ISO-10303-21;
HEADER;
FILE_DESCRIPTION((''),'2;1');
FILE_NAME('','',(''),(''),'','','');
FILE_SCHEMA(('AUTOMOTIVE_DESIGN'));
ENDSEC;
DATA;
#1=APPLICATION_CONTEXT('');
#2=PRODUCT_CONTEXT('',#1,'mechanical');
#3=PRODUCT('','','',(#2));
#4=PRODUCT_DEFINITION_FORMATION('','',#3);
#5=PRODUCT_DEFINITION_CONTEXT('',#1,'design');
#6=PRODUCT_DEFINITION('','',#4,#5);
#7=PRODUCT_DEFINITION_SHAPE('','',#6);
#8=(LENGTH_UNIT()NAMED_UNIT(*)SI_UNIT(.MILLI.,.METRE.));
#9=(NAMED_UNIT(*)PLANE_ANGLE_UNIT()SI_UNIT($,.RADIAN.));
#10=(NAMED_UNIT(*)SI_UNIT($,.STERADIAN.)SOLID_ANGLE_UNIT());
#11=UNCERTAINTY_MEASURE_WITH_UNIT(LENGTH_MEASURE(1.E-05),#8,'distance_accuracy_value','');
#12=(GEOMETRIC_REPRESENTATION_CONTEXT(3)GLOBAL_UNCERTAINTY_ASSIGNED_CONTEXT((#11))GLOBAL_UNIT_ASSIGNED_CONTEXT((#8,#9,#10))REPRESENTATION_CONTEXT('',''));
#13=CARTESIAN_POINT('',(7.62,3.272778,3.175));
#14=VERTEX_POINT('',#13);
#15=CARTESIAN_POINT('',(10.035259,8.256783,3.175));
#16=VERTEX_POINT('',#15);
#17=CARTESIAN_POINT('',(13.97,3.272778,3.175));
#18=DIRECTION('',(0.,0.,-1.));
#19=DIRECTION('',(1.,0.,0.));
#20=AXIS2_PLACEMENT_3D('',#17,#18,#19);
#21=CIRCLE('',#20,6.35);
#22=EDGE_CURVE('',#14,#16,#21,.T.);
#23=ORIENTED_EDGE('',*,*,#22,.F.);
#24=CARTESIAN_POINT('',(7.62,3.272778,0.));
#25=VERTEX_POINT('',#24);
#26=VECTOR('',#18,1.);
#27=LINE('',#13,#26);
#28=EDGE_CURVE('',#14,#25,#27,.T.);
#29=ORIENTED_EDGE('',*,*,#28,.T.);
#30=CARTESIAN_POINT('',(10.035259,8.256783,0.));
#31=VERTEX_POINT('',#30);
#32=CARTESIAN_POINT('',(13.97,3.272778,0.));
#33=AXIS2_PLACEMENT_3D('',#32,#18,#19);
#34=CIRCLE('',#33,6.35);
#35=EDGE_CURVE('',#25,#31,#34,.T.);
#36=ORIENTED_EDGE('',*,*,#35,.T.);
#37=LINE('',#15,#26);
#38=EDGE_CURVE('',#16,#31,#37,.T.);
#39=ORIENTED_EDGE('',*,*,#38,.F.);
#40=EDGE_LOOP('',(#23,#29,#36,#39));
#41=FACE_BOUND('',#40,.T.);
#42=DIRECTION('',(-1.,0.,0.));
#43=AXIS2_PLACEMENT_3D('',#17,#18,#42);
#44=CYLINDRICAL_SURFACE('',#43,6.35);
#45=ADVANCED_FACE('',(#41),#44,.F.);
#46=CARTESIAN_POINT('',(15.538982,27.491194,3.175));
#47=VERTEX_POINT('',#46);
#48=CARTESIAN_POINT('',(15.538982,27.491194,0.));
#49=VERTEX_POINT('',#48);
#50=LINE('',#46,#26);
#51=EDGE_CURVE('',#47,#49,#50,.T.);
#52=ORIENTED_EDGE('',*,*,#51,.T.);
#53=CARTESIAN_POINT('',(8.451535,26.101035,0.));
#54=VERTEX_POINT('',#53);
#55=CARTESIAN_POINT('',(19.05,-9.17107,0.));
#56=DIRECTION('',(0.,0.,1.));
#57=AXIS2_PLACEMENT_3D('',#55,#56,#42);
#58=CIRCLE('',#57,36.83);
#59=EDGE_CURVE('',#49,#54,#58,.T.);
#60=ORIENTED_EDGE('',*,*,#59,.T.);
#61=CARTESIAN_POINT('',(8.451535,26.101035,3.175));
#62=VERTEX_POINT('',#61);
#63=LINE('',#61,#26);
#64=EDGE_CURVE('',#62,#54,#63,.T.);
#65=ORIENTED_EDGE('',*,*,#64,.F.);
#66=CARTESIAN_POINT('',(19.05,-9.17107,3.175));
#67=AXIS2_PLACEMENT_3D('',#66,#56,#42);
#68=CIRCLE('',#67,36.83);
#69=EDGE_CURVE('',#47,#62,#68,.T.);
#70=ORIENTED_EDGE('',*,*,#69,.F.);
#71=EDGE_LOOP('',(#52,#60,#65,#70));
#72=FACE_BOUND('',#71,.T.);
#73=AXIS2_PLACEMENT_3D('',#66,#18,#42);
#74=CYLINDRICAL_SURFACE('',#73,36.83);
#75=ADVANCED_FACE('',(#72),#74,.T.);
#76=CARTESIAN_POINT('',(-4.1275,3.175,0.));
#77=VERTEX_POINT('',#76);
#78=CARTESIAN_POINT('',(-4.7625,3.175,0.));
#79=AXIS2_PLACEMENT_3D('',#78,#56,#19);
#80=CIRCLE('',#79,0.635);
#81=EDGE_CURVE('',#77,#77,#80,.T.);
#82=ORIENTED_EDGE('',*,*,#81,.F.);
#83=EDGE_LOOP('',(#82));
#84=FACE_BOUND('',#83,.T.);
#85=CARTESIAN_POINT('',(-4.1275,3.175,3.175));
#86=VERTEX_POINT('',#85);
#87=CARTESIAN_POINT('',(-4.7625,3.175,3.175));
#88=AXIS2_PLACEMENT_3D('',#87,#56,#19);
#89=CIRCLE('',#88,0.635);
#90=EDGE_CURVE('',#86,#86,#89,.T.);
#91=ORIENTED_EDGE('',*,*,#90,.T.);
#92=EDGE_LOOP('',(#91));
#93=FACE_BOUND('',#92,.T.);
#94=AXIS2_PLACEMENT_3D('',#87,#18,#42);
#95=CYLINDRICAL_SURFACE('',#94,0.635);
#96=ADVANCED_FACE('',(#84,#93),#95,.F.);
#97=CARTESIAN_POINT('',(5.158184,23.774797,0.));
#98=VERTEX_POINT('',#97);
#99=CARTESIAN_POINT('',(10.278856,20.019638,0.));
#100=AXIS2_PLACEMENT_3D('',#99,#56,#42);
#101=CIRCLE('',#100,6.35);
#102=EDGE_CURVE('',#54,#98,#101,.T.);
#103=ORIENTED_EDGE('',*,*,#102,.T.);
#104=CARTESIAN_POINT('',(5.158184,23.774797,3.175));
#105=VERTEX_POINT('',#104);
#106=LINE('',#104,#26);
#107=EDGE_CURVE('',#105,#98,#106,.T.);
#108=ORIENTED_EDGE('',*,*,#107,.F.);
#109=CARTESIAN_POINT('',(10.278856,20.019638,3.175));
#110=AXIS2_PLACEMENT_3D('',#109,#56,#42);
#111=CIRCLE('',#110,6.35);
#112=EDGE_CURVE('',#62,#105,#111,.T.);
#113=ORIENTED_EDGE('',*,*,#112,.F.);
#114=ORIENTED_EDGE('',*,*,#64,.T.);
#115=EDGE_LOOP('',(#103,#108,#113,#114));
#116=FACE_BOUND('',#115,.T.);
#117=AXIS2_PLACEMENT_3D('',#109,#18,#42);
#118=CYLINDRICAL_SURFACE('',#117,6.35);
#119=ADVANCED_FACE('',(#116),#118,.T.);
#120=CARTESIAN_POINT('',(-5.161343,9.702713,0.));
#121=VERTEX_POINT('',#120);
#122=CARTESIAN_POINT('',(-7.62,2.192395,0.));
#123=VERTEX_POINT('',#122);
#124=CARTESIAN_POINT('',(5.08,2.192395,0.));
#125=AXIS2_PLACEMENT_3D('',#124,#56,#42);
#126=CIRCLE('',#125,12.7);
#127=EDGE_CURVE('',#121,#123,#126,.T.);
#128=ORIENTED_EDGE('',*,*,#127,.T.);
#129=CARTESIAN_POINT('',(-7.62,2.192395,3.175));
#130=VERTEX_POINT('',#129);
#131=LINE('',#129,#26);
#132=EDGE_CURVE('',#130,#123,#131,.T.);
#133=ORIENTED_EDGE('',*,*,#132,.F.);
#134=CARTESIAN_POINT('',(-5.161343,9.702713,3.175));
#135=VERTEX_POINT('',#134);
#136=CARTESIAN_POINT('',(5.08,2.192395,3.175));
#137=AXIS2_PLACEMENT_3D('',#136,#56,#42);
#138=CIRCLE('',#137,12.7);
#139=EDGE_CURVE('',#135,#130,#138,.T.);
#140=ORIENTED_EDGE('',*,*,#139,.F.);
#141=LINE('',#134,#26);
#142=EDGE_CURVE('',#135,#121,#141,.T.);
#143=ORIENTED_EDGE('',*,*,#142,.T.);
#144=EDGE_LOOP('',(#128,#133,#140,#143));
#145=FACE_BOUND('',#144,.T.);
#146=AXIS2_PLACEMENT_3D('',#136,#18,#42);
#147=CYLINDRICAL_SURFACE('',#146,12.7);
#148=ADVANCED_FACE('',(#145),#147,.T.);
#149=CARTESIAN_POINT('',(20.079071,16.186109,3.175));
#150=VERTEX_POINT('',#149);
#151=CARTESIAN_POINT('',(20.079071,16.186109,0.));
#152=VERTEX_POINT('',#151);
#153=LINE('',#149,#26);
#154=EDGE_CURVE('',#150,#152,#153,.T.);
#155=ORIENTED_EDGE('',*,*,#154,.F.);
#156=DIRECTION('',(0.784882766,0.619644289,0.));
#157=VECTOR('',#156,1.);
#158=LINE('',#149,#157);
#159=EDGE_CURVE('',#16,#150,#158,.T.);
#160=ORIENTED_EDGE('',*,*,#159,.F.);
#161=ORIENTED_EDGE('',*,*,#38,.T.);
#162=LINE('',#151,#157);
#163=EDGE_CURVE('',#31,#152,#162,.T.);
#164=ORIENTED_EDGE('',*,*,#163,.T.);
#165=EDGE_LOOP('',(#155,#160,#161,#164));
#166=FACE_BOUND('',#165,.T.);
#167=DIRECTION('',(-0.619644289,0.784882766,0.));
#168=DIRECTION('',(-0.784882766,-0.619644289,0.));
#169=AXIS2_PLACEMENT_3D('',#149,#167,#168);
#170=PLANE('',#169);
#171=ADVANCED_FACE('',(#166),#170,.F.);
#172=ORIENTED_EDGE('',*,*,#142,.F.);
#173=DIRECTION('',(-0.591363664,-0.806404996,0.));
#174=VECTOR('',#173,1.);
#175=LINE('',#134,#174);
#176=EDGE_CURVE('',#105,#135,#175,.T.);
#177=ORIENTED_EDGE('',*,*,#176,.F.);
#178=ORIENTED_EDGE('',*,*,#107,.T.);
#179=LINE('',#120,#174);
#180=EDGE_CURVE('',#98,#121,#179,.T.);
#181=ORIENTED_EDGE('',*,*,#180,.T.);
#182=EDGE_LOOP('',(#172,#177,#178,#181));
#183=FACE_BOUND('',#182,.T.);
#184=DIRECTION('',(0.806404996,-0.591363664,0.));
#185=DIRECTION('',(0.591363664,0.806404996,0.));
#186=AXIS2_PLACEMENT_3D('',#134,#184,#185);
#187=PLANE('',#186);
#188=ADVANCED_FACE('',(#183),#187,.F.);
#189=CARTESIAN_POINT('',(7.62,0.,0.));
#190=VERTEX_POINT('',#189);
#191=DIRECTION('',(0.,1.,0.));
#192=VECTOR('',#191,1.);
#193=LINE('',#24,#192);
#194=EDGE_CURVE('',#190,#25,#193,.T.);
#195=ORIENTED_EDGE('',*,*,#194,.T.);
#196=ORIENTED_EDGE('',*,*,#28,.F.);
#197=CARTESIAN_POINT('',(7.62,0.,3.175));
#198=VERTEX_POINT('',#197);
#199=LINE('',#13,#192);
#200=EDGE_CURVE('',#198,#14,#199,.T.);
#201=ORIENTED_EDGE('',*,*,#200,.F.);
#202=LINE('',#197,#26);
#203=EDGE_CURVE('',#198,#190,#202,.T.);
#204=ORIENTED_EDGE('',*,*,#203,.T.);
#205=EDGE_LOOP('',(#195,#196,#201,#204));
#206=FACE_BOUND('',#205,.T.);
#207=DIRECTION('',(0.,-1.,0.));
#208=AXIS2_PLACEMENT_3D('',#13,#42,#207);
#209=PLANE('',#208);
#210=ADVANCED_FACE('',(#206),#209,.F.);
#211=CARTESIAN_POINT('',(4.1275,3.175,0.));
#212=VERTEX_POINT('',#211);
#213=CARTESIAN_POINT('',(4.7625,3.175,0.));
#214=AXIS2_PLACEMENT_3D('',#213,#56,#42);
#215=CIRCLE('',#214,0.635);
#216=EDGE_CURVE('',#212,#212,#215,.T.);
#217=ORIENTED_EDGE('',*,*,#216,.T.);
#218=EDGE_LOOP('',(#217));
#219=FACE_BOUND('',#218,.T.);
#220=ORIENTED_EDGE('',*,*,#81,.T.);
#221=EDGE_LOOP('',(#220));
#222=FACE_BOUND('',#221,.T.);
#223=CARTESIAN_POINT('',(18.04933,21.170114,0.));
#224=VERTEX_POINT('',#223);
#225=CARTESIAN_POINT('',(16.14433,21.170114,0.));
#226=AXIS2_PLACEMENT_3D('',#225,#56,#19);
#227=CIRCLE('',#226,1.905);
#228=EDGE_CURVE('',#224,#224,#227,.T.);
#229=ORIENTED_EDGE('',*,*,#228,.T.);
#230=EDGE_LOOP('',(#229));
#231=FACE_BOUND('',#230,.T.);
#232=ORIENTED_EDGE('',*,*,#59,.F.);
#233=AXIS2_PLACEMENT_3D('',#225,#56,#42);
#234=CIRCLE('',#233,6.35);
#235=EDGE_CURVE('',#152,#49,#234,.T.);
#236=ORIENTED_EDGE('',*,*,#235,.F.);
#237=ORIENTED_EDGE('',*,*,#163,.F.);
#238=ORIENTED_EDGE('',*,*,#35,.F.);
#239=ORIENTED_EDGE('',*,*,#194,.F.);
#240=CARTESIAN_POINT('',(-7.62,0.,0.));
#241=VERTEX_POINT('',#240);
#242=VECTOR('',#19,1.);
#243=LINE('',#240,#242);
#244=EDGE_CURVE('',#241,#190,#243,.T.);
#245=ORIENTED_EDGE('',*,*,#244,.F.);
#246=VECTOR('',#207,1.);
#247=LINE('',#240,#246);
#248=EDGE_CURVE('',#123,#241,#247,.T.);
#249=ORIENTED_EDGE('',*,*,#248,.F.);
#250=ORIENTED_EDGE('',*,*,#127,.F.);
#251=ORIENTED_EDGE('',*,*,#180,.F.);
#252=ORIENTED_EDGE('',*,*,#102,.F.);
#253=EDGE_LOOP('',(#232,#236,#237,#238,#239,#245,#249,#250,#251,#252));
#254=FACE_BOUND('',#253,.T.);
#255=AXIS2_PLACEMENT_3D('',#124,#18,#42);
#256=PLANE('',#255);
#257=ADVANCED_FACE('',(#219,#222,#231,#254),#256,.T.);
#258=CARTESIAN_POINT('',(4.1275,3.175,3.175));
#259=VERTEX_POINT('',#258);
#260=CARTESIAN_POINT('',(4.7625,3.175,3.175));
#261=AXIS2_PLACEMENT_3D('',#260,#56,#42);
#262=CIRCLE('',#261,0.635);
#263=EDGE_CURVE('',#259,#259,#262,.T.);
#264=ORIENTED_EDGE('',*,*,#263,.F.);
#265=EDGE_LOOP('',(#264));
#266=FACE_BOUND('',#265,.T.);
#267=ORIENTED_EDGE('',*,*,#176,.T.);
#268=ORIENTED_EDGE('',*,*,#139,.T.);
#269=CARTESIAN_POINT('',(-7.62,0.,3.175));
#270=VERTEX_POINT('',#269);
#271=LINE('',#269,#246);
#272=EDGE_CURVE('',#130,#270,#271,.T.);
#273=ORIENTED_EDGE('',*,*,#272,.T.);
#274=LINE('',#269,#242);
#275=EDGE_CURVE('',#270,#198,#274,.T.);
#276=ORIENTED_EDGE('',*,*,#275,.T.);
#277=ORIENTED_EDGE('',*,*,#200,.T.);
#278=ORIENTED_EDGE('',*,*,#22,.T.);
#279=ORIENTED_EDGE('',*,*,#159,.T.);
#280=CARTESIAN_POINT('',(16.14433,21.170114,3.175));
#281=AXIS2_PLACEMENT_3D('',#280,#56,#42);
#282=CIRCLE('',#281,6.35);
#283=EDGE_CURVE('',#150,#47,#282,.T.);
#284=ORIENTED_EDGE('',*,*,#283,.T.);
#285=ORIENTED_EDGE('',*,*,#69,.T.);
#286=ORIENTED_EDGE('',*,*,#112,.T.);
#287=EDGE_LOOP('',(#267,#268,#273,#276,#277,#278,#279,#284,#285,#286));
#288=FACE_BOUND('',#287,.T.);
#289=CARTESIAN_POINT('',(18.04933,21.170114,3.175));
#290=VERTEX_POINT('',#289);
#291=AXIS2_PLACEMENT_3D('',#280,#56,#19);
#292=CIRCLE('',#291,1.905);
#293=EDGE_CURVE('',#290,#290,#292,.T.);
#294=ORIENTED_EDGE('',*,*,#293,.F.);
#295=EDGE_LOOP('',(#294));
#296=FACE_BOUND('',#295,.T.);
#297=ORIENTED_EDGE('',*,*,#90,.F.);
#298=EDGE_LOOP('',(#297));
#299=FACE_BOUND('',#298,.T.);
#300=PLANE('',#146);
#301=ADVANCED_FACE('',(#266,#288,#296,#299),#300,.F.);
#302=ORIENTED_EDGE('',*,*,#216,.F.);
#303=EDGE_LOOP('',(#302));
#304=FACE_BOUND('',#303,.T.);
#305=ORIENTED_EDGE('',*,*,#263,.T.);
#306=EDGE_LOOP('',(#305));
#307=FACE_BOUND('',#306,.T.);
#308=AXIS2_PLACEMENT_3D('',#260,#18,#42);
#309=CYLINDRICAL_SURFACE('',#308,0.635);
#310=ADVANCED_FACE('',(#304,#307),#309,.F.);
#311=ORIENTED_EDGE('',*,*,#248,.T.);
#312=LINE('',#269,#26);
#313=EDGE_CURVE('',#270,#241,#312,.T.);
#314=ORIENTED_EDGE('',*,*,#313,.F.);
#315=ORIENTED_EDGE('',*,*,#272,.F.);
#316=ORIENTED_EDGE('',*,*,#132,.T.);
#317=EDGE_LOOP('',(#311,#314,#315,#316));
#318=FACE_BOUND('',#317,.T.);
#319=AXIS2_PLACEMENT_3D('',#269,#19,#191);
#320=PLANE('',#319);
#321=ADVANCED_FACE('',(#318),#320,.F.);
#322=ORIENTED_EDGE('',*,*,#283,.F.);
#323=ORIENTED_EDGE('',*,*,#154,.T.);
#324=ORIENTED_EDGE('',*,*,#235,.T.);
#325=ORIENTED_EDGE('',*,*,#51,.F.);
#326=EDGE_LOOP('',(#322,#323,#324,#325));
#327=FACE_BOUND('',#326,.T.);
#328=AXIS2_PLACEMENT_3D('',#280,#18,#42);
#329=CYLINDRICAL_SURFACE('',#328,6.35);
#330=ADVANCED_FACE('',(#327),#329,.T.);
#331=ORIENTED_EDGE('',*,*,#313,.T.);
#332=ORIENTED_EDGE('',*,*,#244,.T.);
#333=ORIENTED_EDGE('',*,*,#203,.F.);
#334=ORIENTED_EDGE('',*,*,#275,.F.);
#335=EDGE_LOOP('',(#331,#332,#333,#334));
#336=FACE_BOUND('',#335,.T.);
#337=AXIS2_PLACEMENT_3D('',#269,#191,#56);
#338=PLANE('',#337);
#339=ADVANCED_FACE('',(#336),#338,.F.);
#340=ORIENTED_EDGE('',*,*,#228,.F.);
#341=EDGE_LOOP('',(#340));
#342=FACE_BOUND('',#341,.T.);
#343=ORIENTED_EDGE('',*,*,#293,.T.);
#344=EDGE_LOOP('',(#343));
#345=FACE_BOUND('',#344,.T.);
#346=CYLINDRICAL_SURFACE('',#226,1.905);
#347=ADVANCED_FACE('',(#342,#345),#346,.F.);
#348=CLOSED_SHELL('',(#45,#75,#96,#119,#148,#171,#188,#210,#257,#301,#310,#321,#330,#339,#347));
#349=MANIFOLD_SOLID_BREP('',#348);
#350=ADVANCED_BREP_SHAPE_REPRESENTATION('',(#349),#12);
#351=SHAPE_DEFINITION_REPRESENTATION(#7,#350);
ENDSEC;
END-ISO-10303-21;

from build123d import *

# Parameters (mm, degrees)
SKETCH1_R      = 0.635
EXTRUDE1_DEPTH = 3.175
SKETCH2_R      = 1.905
EXTRUDE2_DEPTH = 4.175


with BuildPart() as part:
    # Sketch1 → Extrude1 (new body)
    with BuildSketch(Plane.XY):
        with BuildLine():
            Line((-7.62, 0), (7.62, 0))
            Line((7.62, 0), (7.62, 3.272777676))
            ThreePointArc((7.62, 3.272777676), (8.25562747, 6.041973695), (10.035258768, 8.256783238))
            Line((10.035258768, 8.256783238), (20.079071056, 16.186108729))
            ThreePointArc((20.079071056, 16.186108729), (22.036906124, 23.536555615), (15.53898187, 27.491194408))
            ThreePointArc((15.53898187, 27.491194408), (11.961099032, 26.970268702), (8.451534603, 26.101035293))
            ThreePointArc((8.451534603, 26.101035293), (6.615319821, 25.206255275), (5.1581845, 23.774797045))
            Line((5.1581845, 23.774797045), (-5.161343447, 9.702713481))
            ThreePointArc((-5.161343447, 9.702713481), (-6.989694731, 6.143656664), (-7.62, 2.192394953))
            Line((-7.62, 2.192394953), (-7.62, 0))
        make_face()
        with Locations((-4.7625, 3.175)):
            Circle(SKETCH1_R, mode=Mode.SUBTRACT)
        with Locations(Location((4.7625, 3.175, 0), (0, 0, 180))):  # turned: the seam where the file's is
            Circle(SKETCH1_R, mode=Mode.SUBTRACT)
    extrude(amount=EXTRUDE1_DEPTH)

    # Sketch2 → Extrude2 (cut, through all)
    with BuildSketch(Plane.XY.offset(3.175)):
        with Locations((16.144329824, 21.17011429)):
            Circle(SKETCH2_R)
    extrude(amount=-EXTRUDE2_DEPTH, mode=Mode.SUBTRACT)


solid = part.part
